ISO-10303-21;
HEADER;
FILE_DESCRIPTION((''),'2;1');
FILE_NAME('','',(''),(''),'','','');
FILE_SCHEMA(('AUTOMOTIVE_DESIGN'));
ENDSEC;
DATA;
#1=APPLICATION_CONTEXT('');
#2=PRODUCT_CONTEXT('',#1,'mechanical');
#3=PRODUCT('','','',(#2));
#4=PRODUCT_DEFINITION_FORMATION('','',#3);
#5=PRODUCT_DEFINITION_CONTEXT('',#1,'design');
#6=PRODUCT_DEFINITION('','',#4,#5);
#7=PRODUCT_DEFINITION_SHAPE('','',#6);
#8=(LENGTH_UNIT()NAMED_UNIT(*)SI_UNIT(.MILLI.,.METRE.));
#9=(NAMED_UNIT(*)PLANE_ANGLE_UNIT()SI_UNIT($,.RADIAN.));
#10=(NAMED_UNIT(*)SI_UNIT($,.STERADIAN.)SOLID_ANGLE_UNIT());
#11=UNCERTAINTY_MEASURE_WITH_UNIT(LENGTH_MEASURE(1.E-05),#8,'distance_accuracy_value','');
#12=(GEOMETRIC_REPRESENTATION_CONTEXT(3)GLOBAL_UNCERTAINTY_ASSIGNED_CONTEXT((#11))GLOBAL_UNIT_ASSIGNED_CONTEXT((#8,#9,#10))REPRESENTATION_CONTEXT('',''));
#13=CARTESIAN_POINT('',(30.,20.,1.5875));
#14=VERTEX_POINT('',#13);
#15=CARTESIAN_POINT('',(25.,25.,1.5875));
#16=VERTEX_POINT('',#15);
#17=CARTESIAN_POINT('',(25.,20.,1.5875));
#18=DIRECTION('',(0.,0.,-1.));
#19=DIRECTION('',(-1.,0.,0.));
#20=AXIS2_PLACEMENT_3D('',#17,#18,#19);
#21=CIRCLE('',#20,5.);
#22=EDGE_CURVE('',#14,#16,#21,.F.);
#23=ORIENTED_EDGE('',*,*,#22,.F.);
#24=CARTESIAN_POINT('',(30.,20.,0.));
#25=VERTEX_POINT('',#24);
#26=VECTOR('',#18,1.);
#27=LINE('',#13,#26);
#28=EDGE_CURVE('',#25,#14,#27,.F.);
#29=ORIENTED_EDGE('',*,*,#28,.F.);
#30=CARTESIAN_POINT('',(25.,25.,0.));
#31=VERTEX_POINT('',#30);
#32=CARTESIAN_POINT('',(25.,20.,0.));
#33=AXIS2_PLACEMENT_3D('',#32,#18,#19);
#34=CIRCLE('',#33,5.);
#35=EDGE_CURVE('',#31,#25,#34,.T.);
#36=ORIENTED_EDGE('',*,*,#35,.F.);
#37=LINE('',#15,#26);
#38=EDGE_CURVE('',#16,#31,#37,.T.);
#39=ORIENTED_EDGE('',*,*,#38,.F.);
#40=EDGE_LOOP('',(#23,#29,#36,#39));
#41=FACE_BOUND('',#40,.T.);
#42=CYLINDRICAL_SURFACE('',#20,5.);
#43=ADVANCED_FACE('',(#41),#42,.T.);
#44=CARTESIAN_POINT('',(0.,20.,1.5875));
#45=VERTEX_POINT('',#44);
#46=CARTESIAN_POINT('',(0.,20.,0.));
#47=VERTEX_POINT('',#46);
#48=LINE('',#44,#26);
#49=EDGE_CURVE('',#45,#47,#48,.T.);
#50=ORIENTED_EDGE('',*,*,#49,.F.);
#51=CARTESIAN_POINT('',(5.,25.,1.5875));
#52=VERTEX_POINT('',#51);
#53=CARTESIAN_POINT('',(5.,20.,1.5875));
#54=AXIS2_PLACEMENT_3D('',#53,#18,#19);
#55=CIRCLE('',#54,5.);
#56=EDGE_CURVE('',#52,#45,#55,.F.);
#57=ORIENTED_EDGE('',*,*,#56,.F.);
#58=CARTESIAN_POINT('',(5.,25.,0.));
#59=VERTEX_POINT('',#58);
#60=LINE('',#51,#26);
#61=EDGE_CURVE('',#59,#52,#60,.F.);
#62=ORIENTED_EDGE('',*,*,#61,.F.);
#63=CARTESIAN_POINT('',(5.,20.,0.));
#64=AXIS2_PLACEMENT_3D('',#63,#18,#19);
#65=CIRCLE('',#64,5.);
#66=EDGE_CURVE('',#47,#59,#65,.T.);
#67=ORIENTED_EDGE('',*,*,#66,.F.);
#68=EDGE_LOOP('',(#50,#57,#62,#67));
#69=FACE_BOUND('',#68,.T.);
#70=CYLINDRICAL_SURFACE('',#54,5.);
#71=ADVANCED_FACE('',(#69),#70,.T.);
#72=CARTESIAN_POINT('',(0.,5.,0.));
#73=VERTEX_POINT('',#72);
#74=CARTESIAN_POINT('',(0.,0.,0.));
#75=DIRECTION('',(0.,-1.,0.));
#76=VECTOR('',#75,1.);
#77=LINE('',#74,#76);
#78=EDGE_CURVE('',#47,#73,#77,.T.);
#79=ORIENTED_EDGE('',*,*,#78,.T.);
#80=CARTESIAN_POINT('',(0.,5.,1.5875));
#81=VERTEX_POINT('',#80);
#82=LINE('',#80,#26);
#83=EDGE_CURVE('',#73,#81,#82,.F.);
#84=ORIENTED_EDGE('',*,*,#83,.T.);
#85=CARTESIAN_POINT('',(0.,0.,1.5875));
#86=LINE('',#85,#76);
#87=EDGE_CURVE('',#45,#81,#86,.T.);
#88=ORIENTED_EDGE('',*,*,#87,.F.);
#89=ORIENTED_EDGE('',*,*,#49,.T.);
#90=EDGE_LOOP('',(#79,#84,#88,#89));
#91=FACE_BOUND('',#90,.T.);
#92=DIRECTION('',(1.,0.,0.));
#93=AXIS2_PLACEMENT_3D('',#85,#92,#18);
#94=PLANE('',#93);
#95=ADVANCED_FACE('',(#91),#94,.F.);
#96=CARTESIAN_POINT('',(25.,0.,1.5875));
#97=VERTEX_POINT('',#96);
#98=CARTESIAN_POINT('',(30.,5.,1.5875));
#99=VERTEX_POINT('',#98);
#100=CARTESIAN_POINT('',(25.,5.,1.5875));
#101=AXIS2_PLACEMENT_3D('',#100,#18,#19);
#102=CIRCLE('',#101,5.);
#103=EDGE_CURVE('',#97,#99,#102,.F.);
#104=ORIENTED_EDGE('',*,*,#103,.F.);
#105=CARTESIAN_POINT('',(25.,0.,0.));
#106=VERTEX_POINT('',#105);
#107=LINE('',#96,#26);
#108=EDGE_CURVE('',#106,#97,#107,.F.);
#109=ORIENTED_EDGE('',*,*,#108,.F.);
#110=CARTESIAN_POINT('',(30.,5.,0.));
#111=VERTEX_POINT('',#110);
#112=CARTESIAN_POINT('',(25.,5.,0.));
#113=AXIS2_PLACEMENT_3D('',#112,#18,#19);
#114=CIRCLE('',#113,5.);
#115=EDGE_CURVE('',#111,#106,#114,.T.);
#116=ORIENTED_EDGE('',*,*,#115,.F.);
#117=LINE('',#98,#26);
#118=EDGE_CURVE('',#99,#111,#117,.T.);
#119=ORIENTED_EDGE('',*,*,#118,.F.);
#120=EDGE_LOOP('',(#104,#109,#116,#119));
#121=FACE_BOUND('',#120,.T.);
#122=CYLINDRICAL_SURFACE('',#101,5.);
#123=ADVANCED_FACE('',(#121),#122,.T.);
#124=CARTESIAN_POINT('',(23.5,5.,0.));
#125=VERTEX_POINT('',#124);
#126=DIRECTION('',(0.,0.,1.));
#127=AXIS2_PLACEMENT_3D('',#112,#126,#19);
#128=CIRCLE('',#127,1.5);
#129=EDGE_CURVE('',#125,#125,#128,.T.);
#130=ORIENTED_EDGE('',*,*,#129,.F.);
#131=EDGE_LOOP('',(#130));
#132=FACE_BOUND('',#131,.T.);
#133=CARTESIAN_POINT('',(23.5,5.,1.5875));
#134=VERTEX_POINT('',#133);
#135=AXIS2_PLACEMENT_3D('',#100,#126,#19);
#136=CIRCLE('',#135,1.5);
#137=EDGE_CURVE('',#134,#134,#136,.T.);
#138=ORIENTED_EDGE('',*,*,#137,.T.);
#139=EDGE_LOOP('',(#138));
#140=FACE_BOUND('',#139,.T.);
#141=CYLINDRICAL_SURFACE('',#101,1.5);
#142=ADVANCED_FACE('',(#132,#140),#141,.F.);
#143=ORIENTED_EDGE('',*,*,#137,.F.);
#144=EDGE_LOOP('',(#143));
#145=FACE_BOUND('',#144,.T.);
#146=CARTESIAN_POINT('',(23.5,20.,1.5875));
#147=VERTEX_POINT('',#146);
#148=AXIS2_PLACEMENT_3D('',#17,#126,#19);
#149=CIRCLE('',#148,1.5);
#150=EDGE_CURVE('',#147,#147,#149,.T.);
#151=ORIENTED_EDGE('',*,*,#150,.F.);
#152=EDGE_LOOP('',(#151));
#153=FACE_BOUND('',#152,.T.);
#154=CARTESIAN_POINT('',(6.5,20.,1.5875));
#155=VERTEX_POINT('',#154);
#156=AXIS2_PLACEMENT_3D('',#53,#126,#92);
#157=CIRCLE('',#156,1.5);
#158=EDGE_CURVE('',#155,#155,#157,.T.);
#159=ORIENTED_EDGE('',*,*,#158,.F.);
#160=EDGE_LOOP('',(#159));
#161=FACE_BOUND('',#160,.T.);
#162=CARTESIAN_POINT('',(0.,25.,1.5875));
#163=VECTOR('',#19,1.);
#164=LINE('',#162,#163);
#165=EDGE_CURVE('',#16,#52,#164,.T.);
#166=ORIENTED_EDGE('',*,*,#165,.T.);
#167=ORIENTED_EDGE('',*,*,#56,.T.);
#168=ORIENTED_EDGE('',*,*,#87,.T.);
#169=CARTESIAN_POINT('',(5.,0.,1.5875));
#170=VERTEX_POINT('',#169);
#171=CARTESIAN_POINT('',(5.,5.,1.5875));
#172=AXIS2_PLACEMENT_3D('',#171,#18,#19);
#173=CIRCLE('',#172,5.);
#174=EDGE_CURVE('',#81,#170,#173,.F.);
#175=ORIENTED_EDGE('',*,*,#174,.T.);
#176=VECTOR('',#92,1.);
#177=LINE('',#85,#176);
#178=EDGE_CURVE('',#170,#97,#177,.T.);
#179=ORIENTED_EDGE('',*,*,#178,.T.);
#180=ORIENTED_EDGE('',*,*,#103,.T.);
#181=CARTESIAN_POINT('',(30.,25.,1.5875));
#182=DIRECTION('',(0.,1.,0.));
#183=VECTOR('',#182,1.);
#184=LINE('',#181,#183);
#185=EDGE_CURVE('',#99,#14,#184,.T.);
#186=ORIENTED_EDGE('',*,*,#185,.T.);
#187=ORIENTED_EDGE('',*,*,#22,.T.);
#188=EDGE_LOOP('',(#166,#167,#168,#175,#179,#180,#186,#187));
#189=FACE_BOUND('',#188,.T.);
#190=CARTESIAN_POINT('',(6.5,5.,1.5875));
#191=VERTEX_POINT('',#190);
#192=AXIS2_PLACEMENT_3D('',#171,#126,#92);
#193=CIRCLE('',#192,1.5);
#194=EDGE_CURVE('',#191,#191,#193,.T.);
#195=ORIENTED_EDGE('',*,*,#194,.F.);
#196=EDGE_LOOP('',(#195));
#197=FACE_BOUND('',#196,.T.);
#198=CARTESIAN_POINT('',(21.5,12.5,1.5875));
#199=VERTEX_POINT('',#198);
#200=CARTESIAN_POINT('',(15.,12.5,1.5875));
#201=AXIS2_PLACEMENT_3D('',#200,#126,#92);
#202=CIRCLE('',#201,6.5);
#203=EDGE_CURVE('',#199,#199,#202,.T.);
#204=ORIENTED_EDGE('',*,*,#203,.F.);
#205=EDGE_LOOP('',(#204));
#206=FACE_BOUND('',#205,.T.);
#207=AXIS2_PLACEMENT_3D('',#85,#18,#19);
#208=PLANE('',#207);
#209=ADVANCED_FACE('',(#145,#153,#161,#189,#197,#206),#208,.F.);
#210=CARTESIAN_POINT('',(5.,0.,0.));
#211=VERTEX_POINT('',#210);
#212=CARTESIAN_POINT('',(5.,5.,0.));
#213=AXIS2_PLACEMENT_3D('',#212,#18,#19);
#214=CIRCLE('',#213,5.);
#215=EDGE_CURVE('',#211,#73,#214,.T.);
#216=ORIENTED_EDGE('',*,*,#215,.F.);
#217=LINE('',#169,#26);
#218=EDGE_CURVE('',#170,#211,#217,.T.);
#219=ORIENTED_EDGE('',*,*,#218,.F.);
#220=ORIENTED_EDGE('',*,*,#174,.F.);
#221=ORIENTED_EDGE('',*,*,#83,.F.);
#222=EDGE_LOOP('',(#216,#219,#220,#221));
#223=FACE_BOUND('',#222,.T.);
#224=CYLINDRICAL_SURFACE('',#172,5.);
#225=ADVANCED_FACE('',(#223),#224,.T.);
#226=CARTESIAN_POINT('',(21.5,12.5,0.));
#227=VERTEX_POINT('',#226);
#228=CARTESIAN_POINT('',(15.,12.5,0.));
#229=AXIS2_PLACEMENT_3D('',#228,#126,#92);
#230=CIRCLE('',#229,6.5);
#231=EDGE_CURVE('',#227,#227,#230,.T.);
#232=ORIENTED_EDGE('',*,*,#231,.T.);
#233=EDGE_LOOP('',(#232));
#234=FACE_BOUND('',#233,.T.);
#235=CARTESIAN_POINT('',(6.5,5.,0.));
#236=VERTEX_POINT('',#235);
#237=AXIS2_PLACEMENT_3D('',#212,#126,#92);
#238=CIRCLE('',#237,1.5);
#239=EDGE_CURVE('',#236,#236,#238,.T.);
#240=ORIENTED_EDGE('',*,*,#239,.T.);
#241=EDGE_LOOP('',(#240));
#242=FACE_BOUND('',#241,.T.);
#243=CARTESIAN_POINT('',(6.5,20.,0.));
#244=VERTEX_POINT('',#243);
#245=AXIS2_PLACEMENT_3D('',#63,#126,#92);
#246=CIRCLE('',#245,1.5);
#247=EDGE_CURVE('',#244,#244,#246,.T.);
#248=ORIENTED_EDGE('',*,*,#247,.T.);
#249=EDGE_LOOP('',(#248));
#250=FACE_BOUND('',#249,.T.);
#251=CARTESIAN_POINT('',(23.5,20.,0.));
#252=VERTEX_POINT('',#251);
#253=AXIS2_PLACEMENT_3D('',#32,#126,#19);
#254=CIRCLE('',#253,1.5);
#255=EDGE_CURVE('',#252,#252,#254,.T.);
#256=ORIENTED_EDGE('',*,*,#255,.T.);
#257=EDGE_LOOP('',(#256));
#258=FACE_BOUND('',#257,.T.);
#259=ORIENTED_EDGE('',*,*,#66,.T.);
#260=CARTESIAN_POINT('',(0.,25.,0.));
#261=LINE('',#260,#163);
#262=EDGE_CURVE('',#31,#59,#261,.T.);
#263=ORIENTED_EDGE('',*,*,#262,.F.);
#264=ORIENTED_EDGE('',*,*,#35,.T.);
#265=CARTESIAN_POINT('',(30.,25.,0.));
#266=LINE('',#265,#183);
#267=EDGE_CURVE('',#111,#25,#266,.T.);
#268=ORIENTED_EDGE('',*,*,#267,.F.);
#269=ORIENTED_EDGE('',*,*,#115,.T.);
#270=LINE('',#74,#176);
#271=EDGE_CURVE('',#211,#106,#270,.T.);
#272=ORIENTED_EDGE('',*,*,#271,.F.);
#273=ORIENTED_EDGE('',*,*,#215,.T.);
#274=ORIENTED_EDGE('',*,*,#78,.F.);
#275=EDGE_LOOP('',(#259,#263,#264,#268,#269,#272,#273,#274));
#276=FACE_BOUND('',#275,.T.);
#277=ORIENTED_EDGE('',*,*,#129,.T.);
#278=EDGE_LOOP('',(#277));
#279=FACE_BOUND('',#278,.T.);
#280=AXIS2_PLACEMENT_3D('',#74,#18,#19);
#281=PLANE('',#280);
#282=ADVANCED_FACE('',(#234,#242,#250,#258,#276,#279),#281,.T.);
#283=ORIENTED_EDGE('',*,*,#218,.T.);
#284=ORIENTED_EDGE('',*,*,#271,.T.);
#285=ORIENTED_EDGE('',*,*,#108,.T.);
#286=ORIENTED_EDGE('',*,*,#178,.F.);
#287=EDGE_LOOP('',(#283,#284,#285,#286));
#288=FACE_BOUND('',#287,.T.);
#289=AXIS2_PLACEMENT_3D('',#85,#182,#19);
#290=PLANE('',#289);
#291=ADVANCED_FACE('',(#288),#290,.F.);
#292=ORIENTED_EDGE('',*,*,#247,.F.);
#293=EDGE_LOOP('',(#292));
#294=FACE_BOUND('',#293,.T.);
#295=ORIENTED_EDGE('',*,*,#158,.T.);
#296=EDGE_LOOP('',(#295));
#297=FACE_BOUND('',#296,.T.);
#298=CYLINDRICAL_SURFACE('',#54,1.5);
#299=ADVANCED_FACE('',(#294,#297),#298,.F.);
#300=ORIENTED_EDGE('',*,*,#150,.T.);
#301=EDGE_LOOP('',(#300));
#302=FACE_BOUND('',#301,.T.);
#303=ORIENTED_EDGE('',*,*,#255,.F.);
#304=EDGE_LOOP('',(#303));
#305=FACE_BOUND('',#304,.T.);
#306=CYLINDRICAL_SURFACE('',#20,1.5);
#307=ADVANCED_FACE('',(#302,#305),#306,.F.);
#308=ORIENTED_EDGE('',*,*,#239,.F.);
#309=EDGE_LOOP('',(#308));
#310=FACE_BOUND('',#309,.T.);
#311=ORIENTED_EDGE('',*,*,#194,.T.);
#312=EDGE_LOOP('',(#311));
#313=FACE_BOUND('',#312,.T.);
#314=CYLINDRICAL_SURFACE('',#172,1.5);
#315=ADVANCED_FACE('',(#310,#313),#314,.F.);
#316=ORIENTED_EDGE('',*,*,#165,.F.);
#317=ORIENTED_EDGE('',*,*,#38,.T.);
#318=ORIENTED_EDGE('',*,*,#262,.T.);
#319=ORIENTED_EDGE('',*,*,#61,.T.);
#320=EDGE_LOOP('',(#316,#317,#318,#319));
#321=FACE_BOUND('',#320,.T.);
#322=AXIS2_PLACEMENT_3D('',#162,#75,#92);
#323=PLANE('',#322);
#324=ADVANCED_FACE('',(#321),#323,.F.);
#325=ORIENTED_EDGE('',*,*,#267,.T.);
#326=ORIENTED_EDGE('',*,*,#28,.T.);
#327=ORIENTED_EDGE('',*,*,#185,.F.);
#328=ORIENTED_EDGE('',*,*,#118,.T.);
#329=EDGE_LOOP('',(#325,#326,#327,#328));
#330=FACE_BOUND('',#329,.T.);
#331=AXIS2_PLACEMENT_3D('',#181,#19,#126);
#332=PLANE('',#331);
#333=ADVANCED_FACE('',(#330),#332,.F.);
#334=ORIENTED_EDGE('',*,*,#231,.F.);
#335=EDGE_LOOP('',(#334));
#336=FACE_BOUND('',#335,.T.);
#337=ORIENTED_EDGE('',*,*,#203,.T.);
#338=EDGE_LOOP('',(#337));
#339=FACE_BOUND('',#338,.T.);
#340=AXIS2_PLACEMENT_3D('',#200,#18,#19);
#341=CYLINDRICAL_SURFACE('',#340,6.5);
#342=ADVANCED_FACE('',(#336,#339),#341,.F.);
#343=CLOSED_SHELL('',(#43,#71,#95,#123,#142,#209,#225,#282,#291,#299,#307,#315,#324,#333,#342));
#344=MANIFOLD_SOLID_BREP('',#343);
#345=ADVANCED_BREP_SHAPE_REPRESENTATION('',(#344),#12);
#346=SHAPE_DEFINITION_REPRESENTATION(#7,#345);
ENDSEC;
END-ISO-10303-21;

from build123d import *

# Parameters (mm, degrees)
SKETCH1_W           = 30
SKETCH1_H           = 25
SKETCH1_R           = 6.5
SKETCH1_R_2         = 1.5
BOSS_EXTRUDE1_DEPTH = 1.5875
FILLET1_R           = 5


with BuildPart() as part:
    # Sketch1 → Boss-Extrude1 (new body)
    with BuildSketch(Plane.XY):
        with Locations((15, 12.5)):
            Rectangle(SKETCH1_W, SKETCH1_H)
        with Locations((15, 12.5)):
            Circle(SKETCH1_R, mode=Mode.SUBTRACT)
        with Locations((5, 20)):
            Circle(SKETCH1_R_2, mode=Mode.SUBTRACT)
        with Locations((5, 5)):
            Circle(SKETCH1_R_2, mode=Mode.SUBTRACT)
        with Locations(Location((25, 5, 0), (0, 0, 180))):
            Circle(SKETCH1_R_2, mode=Mode.SUBTRACT)
        with Locations(Location((25, 20, 0), (0, 0, 180))):
            Circle(SKETCH1_R_2, mode=Mode.SUBTRACT)
    extrude(amount=BOSS_EXTRUDE1_DEPTH)

    # Fillet1
    fillet1_edges = [part.edges().sort_by_distance(p)[0] for p in [
        (0, 0, 0.79375),
        (0, 25, 0.79375),
        (30, 25, 0.79375),
        (30, 0, 0.79375),
    ]]
    fillet(fillet1_edges, radius=FILLET1_R)


solid = part.part
